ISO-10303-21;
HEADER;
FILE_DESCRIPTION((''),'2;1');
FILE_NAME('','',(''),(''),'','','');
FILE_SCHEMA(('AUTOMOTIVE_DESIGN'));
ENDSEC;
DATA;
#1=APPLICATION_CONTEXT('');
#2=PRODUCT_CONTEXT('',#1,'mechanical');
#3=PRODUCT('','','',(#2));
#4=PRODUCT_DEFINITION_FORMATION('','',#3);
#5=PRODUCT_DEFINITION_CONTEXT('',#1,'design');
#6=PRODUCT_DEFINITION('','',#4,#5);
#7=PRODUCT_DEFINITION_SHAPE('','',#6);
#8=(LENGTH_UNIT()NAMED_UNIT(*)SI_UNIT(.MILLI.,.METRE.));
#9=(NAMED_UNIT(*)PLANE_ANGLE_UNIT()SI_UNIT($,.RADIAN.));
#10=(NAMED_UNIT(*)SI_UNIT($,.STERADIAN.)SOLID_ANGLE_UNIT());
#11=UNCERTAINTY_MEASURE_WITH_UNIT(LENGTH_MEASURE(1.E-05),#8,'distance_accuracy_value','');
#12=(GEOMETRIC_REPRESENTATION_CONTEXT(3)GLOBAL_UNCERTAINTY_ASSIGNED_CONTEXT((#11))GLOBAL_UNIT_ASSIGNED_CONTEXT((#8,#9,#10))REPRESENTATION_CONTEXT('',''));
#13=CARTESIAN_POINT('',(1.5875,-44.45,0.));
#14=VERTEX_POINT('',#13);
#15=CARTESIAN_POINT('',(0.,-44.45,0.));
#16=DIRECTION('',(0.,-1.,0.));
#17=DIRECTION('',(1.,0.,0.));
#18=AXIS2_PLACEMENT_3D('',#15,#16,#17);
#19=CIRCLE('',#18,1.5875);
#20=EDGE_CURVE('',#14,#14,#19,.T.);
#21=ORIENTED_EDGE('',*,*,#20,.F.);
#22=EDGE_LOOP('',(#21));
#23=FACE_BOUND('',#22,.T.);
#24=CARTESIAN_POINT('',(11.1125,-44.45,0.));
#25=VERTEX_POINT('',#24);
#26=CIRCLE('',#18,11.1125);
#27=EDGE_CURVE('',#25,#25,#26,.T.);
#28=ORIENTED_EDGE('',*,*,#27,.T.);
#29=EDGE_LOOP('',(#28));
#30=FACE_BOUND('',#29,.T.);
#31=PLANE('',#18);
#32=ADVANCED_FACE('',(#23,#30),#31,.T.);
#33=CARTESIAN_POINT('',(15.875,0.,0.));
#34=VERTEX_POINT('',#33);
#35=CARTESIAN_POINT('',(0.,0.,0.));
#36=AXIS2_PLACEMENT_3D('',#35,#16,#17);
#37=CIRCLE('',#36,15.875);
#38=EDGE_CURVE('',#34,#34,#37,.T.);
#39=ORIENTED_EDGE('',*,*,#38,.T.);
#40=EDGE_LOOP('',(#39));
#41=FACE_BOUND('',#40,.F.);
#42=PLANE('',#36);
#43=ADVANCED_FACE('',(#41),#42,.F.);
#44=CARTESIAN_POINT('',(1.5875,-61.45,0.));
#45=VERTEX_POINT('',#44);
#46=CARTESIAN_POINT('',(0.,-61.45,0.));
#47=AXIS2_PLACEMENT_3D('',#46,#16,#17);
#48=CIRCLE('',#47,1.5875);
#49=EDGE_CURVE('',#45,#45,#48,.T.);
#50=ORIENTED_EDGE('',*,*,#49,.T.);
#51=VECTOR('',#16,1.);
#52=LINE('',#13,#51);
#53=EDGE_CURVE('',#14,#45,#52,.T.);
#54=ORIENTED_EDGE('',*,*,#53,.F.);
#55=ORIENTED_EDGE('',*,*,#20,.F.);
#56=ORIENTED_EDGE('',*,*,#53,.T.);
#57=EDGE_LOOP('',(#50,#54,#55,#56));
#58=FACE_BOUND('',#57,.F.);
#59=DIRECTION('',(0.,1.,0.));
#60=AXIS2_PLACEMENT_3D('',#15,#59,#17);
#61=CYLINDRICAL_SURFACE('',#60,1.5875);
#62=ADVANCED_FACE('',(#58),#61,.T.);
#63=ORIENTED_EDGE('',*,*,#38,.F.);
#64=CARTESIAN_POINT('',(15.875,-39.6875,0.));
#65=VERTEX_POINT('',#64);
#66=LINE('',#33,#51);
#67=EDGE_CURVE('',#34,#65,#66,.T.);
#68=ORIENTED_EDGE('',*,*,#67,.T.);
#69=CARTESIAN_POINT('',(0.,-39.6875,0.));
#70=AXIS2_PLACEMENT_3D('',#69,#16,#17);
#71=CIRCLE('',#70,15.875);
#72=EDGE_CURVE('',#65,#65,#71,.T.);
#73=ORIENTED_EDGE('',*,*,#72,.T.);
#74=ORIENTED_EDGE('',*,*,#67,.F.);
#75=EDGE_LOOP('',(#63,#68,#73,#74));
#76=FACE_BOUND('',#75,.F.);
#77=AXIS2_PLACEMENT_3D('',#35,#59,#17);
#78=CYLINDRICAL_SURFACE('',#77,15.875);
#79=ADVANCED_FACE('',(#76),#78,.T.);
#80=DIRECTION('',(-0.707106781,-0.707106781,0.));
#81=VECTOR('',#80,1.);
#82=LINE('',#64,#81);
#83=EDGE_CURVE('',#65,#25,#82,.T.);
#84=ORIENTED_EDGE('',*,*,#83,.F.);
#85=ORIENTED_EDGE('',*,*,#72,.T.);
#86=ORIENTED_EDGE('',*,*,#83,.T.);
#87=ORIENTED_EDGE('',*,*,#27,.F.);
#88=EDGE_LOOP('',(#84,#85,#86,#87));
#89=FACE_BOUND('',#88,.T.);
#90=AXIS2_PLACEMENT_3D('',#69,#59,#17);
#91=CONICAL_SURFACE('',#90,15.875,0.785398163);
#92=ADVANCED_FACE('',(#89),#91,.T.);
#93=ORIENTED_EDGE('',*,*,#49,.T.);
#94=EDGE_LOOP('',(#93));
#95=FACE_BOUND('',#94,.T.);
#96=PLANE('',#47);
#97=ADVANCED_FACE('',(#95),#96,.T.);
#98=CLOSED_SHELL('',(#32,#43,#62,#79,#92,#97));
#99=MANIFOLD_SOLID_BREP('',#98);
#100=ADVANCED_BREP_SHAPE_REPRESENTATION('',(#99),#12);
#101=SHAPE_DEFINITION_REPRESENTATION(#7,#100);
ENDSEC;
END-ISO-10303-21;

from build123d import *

# Parameters (mm, degrees)
F0_R     = 15.875
F1_DEPTH = 44.45
F2_SIZE  = 4.7625
F3_R     = 1.5875
F4_DEPTH = 17


with BuildPart() as f1:
    # F0 (on Front) → F1 (new body)
    with BuildSketch(Plane.XZ):
        Circle(F0_R)
    extrude(amount=F1_DEPTH)

    # F2
    f2_edges = [f1.edges().sort_by_distance(p)[0] for p in [
        (-15.875, -44.45, 0),
    ]]
    chamfer(f2_edges, length=F2_SIZE)

    # F3 (on face) → F4 (join)
    with BuildSketch(Plane.XZ.offset(44.45)):
        Circle(F3_R)
    extrude(amount=F4_DEPTH)


solid = f1.part
